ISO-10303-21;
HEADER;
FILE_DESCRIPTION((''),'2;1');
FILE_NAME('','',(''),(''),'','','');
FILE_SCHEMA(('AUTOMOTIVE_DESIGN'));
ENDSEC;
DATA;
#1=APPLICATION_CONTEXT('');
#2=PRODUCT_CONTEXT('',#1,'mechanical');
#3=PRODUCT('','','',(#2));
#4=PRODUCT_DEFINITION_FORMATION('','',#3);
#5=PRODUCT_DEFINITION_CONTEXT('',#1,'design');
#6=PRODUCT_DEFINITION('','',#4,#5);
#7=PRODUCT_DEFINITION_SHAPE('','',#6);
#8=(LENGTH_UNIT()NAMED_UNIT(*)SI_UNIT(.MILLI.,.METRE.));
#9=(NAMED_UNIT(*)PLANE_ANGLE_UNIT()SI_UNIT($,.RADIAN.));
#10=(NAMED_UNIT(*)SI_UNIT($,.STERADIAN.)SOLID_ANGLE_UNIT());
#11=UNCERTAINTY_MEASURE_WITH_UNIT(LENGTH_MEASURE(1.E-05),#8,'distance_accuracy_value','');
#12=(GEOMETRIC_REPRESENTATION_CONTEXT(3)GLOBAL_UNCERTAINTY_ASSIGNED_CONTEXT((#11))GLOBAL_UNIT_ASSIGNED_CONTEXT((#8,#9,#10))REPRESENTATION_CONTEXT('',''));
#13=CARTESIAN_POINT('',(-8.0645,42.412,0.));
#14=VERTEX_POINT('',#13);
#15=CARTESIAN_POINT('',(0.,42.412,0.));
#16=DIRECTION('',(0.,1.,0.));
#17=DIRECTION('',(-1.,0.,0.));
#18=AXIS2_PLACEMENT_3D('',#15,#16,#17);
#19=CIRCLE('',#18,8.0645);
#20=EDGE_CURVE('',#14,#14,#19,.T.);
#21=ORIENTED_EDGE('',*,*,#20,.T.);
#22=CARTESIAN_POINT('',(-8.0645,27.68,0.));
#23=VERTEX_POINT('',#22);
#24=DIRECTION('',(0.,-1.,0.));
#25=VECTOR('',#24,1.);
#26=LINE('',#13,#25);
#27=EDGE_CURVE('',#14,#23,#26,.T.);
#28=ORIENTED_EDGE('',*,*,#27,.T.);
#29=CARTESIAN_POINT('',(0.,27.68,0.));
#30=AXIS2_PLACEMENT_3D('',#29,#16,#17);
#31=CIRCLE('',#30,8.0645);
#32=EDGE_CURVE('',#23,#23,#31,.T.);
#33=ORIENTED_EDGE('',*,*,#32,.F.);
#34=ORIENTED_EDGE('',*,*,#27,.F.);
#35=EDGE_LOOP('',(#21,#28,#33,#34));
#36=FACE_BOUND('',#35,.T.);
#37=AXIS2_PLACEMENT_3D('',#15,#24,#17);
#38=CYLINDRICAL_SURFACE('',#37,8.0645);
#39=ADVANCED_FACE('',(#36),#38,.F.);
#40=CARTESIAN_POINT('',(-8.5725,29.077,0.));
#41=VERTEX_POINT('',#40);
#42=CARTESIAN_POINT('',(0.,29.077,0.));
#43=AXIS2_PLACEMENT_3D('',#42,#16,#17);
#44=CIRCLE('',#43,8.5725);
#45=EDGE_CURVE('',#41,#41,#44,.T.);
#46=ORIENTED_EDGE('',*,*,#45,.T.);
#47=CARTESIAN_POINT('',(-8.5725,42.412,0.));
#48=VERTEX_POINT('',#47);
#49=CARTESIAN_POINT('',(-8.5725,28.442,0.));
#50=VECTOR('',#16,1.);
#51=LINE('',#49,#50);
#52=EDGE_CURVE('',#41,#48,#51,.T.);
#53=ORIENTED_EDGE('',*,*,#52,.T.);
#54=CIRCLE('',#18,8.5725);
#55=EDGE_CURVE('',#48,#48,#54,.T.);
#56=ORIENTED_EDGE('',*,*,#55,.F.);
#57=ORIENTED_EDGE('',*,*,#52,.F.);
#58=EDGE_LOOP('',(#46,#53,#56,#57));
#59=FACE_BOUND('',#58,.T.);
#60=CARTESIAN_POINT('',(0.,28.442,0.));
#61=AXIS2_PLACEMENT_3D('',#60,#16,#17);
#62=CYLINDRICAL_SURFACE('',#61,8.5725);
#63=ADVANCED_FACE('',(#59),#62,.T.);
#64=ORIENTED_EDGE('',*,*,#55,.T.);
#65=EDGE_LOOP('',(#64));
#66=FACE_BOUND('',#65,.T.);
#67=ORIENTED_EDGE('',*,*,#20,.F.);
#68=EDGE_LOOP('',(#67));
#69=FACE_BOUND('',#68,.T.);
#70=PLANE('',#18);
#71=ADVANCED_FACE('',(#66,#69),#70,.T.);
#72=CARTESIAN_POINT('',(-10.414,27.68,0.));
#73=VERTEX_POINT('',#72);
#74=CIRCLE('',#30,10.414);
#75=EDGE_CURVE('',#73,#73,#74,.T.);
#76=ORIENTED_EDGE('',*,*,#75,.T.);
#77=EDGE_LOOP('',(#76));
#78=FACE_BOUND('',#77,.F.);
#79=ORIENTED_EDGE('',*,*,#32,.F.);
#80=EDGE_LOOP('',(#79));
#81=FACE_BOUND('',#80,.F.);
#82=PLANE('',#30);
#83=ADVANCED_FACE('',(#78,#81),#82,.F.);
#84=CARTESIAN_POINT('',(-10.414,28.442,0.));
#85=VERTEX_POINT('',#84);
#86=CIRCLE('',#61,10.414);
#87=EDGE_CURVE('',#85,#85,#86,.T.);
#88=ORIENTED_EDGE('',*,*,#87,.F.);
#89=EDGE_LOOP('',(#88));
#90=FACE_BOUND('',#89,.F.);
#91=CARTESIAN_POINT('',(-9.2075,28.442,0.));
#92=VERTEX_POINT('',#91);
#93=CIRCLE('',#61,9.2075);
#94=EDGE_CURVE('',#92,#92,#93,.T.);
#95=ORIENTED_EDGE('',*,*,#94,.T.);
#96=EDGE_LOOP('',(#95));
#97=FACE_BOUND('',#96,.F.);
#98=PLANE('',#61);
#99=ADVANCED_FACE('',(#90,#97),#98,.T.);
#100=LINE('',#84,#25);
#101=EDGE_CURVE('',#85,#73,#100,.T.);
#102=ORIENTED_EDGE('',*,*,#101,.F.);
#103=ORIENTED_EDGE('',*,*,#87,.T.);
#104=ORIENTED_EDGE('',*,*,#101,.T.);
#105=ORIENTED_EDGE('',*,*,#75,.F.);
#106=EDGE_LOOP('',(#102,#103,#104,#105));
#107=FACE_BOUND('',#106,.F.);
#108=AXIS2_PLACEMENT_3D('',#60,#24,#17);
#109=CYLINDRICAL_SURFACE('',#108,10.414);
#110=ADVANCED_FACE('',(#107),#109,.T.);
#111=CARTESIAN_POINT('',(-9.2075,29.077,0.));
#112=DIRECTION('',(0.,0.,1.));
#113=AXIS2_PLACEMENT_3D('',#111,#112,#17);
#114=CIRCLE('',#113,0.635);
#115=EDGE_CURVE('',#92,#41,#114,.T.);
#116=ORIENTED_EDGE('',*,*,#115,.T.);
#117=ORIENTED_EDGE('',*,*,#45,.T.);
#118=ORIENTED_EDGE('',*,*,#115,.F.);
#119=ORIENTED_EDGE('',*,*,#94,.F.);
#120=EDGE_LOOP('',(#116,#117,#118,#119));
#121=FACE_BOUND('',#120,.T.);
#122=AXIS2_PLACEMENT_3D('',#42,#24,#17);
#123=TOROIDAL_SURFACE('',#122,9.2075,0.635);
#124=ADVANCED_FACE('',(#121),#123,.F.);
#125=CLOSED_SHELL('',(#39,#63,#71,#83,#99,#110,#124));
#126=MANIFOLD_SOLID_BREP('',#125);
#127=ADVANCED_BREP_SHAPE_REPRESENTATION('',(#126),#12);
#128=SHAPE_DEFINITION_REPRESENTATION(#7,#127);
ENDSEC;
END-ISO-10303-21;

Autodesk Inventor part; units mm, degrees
ref_plane "YZ Plane" through (0, 0, 0) normal (1, 0, 0) x (0, 1, 0)
ref_plane "XZ Plane" through (0, 0, 0) normal (0, 1, 0) x (-1, 0, 0)
ref_plane "XY Plane" through (0, 0, 0) normal (0, 0, 1) x (1, 0, 0)
sketch "Sketch1" plane through (0, 0, 0) normal (0, 0, 1) x (1, 0, 0)
  line L0 (-7.874, 0) -> (-7.874, 76.2)
  line L1 (-8.5725, 42.412) -> (8.5725, 42.412) projected
  line L2 (-8.5725, 28.442) -> (-8.5725, 42.412)
  line L3 (-8.5725, 28.442) -> (-10.414, 28.442)
  line L4 (-10.414, 28.442) -> (-10.414, 27.68)
  line L5 (-10.414, 27.68) -> (-7.874, 27.68)
  line L6 (-7.874, 27.68) -> (-7.874, 42.412)
  line L7 (-7.874, 42.412) -> (-8.5725, 42.412)
  line L8 (0, -15.24) -> (0, 91.44) projected
  line L9 (-8.0645, 42.412) -> (-8.0645, 27.68)
  point P0 (0, 0)
  dimension "d0" = 2.54
  dimension "d1" = 0.762
  dimension "d4" = 0.508
  dimension "d5" = 8.0645
  dimension "d6" = 7.874
revolve "Revolution1" add sketch "Sketch1" angle 360 about axis through (0, -10, 0) along (0, 1, 0) contours L5 L4 L3 L2 L1 L9
fillet "Fillet1" radius 0.635 1 edges at (8.5725, 28.442, 0)
properties part number "Bearing-Axle Sleeve"
